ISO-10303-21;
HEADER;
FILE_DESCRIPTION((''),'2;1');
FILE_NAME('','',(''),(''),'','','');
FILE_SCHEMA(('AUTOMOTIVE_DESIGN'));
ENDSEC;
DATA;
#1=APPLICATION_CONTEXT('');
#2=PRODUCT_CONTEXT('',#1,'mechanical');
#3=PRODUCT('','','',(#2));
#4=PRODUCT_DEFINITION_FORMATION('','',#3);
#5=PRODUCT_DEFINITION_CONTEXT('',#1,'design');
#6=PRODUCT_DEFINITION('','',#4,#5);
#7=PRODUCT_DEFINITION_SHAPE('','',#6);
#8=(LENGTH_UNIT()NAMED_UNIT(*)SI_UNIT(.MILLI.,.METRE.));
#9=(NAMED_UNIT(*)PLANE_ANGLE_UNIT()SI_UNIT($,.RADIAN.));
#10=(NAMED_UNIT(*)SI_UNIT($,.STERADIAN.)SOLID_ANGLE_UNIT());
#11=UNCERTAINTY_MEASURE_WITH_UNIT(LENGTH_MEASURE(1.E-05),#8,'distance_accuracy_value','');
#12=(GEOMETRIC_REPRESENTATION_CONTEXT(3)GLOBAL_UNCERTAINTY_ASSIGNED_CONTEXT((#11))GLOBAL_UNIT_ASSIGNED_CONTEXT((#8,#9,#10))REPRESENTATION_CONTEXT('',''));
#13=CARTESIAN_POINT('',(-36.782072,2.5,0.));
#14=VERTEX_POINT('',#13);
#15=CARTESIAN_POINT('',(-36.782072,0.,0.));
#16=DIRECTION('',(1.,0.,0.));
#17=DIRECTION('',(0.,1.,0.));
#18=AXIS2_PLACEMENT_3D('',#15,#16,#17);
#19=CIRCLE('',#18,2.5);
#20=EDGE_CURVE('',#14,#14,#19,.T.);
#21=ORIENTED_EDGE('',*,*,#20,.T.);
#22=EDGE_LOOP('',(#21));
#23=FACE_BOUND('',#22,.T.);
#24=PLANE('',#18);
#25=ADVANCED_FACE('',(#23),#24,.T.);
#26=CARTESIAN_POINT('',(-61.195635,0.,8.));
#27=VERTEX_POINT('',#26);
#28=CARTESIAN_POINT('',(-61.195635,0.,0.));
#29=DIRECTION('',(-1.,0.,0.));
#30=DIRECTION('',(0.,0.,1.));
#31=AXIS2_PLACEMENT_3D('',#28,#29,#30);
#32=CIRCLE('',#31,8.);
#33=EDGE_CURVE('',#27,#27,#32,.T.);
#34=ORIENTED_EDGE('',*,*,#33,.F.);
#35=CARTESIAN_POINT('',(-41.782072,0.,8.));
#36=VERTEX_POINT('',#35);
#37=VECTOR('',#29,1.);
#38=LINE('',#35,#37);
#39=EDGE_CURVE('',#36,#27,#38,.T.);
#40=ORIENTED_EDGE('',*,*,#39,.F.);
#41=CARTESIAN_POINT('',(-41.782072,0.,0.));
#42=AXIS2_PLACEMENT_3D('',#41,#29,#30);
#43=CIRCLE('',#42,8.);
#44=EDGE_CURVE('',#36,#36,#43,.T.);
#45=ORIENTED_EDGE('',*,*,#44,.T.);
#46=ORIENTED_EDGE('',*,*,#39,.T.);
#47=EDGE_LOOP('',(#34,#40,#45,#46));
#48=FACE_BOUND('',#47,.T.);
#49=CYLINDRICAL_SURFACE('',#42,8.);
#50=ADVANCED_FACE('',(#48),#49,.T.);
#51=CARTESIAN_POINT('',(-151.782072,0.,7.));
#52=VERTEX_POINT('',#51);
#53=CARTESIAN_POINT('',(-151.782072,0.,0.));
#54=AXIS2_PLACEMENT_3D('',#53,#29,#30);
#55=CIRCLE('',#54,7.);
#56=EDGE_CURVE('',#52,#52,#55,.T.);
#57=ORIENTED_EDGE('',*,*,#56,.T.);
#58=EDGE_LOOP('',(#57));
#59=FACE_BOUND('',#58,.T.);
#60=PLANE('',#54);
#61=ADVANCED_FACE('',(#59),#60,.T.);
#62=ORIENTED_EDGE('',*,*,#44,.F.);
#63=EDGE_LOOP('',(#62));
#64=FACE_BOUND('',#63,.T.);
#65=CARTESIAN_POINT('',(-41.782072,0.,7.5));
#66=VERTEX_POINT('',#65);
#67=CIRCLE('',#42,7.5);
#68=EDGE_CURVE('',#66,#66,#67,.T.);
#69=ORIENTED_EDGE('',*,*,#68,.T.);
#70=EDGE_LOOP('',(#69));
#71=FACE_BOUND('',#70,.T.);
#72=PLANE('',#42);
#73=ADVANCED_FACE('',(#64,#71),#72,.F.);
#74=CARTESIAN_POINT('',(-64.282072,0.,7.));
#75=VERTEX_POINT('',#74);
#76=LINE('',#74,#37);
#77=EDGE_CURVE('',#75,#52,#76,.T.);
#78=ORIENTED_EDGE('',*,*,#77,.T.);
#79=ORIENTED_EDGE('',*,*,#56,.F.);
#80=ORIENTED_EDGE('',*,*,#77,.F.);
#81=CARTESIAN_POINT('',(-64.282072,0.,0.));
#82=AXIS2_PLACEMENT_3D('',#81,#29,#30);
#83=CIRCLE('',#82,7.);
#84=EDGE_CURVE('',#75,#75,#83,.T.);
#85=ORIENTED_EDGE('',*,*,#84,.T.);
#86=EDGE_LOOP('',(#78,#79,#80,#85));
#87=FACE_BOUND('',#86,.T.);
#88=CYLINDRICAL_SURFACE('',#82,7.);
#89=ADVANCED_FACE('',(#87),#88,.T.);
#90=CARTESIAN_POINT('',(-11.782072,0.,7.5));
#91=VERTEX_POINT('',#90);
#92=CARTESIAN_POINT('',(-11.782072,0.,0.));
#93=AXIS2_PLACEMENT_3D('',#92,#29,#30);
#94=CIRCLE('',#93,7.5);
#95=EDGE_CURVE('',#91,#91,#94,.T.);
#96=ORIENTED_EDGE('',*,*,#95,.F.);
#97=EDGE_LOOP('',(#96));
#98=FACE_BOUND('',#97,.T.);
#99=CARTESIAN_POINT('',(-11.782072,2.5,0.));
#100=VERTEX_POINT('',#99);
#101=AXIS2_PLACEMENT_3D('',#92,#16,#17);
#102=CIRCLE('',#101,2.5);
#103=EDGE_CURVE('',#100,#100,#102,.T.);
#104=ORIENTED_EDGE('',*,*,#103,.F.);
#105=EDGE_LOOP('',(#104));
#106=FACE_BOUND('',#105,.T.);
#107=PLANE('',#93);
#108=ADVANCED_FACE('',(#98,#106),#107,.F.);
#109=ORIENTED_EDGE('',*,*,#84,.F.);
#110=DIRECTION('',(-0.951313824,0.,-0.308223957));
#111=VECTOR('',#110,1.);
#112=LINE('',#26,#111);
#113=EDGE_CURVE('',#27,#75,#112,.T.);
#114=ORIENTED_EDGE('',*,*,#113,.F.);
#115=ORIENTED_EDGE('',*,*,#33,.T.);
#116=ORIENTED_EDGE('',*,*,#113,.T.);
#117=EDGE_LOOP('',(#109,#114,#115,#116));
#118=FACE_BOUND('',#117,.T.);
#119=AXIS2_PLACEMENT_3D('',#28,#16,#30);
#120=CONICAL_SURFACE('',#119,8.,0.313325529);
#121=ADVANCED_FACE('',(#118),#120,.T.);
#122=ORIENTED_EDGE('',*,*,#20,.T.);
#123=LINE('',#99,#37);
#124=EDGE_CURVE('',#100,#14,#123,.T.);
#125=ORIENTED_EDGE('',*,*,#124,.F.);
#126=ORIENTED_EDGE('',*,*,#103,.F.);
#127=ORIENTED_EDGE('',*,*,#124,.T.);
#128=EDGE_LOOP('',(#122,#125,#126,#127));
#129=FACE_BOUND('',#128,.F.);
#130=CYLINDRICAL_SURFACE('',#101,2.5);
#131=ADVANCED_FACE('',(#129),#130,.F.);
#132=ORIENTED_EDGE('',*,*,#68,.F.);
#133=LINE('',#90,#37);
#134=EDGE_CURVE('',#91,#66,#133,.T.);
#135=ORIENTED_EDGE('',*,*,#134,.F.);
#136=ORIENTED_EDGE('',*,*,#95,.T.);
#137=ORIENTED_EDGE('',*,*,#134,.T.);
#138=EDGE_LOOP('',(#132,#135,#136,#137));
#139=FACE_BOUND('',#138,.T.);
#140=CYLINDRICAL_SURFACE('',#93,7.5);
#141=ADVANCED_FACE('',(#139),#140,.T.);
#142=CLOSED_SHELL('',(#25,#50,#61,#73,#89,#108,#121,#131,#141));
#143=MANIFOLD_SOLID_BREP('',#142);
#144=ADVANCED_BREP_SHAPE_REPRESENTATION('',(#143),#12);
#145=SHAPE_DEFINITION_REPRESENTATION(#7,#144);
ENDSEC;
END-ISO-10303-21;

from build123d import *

# Parameters (mm, degrees)
F3_R     = 2.5
F4_DEPTH = 25


with BuildPart() as f1:
    # F0 (on Front) → F1 (revolve)
    with BuildSketch(Plane.XZ):
        Polygon((-151.782072, 0), (-11.782072, 0), (-11.782072, 7.5), (-41.782072, 7.5), (-41.782072, 8), (-61.195635, 8), (-64.282072, 7), (-91.782072, 7), (-98.282072, 7), (-151.782072, 7), (-151.782072, 5.5), align=None)
    revolve(axis=Axis((-81.782072, 0, 0), (-1, 0, 0)))

    # F3 (on face) → F4 (cut)
    with BuildSketch(Plane.YZ.offset(-11.782072)):
        Circle(F3_R)
    extrude(amount=-F4_DEPTH, mode=Mode.SUBTRACT)


solid = f1.part
